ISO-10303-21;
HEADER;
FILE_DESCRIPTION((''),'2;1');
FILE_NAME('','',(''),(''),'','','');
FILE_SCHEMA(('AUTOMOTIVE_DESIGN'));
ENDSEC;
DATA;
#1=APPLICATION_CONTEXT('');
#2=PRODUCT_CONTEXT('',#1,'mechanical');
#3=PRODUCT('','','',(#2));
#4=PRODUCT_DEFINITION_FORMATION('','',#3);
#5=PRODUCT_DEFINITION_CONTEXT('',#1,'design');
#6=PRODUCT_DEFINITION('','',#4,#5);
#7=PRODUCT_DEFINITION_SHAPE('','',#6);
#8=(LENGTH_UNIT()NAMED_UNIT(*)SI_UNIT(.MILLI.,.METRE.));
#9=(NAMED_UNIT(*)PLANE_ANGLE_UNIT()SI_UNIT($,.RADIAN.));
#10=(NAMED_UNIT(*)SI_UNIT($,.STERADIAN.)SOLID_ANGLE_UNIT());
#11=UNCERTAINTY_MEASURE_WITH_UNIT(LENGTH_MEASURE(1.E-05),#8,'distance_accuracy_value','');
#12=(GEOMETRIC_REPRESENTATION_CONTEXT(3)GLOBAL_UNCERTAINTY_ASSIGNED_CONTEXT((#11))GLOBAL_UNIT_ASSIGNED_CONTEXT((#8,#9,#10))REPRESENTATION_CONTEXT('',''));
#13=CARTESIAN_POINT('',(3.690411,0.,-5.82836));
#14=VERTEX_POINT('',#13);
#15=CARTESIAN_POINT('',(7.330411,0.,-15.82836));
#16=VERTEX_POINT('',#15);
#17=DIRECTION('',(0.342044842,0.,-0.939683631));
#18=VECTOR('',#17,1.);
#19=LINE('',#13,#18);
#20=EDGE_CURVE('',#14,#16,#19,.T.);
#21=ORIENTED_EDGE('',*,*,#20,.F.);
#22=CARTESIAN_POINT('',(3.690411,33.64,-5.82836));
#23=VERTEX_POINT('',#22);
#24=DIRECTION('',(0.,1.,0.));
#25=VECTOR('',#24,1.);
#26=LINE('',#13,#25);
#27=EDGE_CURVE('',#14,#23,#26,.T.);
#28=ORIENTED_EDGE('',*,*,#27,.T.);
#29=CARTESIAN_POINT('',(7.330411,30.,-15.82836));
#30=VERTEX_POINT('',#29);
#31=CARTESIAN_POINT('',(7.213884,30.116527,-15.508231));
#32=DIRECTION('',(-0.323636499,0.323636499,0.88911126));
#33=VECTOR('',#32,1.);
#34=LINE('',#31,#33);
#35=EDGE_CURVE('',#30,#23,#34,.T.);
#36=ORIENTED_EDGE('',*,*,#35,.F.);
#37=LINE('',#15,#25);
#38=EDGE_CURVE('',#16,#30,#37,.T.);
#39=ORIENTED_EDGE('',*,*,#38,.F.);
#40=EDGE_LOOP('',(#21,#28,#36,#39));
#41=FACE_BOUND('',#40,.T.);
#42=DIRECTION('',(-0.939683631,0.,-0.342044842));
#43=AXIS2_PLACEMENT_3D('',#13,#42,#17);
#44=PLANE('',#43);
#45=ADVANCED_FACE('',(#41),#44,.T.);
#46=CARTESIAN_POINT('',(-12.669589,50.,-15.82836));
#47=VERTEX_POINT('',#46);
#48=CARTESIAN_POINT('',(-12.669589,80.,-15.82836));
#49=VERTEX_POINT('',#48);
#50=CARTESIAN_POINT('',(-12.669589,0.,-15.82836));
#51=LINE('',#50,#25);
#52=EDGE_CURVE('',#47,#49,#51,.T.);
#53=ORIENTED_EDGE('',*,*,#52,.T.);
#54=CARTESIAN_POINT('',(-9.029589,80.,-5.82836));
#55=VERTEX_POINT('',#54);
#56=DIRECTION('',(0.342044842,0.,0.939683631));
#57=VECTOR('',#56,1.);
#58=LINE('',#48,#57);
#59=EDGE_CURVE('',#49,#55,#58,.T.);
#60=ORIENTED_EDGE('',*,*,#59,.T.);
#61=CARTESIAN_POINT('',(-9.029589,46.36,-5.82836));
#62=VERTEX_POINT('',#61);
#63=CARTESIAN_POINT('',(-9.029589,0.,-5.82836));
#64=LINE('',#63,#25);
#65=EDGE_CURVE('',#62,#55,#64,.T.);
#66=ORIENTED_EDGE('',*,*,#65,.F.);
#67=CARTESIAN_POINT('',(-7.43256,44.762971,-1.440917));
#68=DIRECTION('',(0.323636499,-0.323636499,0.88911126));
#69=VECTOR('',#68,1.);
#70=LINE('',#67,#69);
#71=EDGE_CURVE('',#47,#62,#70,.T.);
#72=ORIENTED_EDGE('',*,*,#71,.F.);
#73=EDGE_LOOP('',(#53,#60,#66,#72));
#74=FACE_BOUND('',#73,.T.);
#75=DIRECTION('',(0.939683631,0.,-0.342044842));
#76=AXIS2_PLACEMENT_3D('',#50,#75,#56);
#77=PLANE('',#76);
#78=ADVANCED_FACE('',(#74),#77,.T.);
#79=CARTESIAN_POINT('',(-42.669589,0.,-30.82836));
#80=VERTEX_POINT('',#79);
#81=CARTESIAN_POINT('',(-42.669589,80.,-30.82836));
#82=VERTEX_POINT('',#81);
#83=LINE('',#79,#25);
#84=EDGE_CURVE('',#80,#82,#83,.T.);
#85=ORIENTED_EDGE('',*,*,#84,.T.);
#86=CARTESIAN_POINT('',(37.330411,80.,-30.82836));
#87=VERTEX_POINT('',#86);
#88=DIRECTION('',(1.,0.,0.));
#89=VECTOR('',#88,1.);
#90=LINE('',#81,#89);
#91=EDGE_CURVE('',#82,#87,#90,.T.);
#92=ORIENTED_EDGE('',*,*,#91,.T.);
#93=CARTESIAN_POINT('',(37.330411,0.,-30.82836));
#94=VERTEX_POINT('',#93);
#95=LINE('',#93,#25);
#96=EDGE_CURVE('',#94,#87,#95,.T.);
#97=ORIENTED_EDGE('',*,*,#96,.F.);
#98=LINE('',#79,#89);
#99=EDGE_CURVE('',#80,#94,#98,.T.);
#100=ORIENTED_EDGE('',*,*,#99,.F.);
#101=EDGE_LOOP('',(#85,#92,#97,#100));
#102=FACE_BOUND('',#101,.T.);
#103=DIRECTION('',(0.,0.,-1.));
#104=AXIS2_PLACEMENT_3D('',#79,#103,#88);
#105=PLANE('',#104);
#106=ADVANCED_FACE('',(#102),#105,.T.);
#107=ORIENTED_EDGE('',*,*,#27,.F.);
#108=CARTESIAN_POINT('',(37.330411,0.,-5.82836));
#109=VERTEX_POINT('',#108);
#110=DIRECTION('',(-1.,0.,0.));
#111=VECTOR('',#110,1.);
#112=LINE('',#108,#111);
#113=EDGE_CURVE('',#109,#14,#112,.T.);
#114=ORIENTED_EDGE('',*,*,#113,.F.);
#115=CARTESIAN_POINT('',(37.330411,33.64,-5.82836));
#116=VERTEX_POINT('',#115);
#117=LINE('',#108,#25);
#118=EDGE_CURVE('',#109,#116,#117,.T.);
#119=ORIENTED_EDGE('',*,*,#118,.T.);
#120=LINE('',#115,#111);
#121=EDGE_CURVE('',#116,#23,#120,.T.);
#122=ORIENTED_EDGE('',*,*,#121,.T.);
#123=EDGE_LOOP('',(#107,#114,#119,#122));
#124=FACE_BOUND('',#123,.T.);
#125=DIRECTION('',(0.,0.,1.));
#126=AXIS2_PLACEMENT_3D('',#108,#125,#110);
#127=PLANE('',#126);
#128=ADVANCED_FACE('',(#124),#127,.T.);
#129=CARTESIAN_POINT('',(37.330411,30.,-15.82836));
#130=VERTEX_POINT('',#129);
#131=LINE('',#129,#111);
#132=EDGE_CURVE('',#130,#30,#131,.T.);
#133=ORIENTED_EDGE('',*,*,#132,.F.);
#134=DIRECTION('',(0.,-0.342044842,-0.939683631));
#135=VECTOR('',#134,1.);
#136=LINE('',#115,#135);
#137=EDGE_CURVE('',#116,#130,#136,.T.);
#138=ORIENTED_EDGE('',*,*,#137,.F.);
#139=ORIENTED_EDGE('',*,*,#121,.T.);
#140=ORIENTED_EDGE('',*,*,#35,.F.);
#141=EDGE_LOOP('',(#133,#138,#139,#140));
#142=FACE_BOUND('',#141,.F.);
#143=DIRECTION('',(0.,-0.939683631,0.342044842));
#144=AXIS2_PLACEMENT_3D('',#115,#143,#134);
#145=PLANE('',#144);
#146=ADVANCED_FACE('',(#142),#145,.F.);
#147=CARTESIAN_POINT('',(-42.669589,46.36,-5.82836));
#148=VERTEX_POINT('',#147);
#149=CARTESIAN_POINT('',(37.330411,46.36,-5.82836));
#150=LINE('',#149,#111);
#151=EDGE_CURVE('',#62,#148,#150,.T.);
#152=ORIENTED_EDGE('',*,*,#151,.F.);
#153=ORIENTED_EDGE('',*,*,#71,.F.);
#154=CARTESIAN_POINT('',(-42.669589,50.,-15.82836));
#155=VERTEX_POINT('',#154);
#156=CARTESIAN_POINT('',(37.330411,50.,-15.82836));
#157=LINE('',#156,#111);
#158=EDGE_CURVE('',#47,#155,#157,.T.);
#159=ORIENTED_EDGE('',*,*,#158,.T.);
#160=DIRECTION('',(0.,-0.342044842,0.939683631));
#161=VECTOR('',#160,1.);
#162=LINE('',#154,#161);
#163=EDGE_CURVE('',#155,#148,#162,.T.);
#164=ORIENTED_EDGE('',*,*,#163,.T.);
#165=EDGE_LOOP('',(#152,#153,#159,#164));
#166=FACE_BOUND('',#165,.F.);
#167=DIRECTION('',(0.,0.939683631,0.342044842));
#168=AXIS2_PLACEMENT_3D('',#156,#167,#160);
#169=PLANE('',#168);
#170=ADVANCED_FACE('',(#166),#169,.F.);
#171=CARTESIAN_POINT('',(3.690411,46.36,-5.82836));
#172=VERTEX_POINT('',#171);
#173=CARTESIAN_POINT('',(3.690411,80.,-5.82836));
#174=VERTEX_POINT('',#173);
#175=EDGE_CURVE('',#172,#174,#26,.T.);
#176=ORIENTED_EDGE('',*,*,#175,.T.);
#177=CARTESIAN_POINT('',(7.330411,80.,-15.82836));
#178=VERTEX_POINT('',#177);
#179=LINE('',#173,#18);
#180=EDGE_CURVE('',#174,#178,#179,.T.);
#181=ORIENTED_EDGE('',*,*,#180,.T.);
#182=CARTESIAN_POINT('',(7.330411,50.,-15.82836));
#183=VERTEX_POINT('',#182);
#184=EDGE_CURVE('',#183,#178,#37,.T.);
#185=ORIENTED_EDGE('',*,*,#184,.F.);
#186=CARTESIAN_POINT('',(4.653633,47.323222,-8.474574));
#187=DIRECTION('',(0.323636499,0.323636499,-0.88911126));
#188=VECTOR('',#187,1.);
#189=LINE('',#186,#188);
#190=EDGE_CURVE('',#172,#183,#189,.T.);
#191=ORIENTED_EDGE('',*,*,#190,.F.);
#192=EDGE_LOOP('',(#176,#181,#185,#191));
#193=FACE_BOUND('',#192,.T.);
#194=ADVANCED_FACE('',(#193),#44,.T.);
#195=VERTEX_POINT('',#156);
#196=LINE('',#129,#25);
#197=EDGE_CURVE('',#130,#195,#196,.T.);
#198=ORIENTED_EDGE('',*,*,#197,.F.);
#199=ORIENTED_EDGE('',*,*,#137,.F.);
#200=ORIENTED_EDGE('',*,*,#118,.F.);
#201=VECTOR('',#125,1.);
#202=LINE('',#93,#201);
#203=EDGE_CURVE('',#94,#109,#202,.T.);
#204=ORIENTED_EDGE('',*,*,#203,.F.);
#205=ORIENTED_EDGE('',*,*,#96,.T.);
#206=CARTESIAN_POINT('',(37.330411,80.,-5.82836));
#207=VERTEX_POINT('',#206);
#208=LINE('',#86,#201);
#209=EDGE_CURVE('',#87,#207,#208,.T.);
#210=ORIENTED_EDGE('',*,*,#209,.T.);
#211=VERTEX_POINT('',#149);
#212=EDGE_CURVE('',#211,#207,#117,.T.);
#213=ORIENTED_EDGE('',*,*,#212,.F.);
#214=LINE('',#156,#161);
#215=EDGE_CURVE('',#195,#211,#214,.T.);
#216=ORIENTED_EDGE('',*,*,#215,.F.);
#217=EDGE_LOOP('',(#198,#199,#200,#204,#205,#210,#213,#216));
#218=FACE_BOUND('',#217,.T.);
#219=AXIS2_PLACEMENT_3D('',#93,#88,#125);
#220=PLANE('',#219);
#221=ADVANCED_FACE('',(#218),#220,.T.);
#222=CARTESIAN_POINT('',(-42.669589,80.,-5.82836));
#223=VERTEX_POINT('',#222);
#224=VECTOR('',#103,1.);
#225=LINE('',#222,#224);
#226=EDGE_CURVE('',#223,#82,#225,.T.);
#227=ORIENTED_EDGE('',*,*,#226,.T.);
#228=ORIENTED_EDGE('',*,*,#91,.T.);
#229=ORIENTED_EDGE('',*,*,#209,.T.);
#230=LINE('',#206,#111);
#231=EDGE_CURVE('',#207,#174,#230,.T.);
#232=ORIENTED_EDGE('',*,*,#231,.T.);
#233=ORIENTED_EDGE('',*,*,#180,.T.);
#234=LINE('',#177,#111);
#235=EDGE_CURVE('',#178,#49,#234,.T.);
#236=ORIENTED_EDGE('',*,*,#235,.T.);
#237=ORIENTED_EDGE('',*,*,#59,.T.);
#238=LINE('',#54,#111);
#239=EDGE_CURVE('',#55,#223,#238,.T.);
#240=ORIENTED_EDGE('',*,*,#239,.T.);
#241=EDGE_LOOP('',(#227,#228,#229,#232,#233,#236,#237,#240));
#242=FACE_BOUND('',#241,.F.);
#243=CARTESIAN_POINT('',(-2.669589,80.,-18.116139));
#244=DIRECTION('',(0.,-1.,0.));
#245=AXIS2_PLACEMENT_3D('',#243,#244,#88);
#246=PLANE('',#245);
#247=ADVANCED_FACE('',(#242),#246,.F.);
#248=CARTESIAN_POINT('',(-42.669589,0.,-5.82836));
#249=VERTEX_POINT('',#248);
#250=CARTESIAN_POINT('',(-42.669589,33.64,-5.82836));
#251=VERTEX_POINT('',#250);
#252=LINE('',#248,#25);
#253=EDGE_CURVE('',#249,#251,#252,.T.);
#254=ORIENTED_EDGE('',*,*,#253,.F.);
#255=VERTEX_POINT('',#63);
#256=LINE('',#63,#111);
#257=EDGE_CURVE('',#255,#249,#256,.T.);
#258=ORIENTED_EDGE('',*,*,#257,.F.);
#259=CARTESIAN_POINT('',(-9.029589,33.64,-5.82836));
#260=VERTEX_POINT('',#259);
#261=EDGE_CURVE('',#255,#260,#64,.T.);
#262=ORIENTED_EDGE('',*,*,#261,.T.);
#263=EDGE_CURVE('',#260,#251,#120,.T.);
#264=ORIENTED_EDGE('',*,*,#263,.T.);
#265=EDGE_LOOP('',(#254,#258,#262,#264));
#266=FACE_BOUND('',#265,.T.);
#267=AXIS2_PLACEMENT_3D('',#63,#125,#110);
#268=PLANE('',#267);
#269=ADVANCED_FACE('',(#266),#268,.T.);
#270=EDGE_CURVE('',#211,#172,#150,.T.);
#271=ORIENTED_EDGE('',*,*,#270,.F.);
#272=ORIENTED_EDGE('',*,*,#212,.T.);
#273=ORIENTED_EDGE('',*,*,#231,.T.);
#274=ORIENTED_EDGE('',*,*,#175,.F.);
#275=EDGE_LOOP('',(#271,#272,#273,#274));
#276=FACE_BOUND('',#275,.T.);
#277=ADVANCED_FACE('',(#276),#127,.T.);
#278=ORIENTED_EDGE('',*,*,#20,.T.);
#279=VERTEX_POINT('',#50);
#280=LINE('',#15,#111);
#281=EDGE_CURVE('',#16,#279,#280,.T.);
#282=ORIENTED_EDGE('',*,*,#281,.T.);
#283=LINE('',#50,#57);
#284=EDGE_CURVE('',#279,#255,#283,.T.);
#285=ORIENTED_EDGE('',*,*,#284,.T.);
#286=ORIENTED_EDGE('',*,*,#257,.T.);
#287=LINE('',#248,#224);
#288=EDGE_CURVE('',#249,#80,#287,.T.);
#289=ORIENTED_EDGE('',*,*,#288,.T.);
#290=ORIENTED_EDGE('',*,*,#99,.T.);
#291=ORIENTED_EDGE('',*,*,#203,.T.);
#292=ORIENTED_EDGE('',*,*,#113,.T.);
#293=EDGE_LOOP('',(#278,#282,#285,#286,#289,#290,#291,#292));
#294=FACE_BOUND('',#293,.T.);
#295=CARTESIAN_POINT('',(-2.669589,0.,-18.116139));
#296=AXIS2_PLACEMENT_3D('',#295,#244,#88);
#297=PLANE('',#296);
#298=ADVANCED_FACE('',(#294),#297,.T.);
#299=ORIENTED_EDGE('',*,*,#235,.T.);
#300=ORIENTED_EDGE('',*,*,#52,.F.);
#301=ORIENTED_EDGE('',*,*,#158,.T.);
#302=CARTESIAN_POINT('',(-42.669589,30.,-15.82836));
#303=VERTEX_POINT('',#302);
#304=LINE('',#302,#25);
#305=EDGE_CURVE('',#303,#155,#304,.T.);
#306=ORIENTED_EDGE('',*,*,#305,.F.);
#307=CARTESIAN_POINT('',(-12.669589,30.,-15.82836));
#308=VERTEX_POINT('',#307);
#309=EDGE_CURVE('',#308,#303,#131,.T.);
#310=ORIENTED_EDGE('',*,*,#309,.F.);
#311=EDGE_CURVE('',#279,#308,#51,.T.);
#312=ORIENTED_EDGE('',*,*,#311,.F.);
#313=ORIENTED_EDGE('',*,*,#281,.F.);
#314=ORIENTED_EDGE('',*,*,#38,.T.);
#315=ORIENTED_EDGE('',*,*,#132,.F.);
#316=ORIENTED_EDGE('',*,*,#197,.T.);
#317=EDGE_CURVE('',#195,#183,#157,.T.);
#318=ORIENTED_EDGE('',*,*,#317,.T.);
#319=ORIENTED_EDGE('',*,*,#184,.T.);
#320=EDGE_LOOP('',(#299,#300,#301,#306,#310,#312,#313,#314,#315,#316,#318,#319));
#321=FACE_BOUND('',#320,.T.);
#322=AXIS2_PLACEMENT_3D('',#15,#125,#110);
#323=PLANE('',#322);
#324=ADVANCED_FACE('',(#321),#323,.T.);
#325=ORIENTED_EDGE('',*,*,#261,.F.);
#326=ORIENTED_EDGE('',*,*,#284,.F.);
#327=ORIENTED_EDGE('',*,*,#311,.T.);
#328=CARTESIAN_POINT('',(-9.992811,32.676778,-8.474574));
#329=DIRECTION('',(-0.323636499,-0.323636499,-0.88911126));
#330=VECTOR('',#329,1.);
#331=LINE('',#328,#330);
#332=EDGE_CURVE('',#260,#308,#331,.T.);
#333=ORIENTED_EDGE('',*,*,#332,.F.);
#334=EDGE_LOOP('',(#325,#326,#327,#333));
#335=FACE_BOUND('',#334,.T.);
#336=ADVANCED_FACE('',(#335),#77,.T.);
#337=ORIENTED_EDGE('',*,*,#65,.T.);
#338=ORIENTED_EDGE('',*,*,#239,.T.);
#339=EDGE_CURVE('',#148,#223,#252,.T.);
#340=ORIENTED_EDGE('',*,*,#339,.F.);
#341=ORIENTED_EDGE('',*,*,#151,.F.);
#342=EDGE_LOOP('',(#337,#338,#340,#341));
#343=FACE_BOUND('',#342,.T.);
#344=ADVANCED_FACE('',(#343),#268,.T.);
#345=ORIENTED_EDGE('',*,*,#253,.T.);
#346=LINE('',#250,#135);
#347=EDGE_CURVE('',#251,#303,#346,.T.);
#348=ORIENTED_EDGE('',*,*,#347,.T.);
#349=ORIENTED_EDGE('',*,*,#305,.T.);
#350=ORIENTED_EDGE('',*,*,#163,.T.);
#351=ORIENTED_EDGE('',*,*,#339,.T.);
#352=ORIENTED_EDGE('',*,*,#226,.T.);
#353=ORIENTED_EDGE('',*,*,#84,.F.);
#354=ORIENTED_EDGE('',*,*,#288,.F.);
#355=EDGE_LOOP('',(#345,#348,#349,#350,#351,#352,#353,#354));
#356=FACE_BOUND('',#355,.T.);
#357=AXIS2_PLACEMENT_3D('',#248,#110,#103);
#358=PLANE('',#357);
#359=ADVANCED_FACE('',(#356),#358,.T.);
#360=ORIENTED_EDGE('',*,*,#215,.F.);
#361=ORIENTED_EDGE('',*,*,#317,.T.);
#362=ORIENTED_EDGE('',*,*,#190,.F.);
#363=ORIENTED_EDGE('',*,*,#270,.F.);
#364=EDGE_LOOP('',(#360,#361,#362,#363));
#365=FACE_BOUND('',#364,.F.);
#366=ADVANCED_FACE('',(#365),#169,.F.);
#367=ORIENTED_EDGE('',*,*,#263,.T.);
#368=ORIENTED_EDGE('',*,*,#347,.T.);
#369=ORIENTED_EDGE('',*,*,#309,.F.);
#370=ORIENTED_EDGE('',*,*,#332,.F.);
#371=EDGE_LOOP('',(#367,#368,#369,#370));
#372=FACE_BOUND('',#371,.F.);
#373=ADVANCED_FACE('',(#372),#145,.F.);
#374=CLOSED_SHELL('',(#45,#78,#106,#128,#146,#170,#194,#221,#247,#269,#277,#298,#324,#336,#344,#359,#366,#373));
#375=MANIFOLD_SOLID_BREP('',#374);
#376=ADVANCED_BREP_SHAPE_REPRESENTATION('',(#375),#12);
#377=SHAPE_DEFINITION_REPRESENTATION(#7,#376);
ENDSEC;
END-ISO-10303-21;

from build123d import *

# Parameters (mm, degrees)
F1_DEPTH = 80
F3_DEPTH = 80


with BuildPart() as f1:
    # F0 (on Front) → F1 (new body)
    with BuildSketch(Plane.XZ):
        Polygon((37.330411, -5.82836), (3.690411, -5.82836), (7.330411, -15.82836), (-12.669589, -15.82836), (-9.029589, -5.82836), (-42.669589, -5.82836), (-42.669589, -30.82836), (37.330411, -30.82836), align=None)
    extrude(amount=-F1_DEPTH)

    # F2 (on face) → F3 (cut)
    with BuildSketch(Plane.YZ.offset(37.330411)):
        Polygon((30, -15.82836), (50, -15.82836), (46.36, -5.82836), (40, -5.82836), (33.64, -5.82836), align=None)
    extrude(amount=-F3_DEPTH, mode=Mode.SUBTRACT)


solid = f1.part
